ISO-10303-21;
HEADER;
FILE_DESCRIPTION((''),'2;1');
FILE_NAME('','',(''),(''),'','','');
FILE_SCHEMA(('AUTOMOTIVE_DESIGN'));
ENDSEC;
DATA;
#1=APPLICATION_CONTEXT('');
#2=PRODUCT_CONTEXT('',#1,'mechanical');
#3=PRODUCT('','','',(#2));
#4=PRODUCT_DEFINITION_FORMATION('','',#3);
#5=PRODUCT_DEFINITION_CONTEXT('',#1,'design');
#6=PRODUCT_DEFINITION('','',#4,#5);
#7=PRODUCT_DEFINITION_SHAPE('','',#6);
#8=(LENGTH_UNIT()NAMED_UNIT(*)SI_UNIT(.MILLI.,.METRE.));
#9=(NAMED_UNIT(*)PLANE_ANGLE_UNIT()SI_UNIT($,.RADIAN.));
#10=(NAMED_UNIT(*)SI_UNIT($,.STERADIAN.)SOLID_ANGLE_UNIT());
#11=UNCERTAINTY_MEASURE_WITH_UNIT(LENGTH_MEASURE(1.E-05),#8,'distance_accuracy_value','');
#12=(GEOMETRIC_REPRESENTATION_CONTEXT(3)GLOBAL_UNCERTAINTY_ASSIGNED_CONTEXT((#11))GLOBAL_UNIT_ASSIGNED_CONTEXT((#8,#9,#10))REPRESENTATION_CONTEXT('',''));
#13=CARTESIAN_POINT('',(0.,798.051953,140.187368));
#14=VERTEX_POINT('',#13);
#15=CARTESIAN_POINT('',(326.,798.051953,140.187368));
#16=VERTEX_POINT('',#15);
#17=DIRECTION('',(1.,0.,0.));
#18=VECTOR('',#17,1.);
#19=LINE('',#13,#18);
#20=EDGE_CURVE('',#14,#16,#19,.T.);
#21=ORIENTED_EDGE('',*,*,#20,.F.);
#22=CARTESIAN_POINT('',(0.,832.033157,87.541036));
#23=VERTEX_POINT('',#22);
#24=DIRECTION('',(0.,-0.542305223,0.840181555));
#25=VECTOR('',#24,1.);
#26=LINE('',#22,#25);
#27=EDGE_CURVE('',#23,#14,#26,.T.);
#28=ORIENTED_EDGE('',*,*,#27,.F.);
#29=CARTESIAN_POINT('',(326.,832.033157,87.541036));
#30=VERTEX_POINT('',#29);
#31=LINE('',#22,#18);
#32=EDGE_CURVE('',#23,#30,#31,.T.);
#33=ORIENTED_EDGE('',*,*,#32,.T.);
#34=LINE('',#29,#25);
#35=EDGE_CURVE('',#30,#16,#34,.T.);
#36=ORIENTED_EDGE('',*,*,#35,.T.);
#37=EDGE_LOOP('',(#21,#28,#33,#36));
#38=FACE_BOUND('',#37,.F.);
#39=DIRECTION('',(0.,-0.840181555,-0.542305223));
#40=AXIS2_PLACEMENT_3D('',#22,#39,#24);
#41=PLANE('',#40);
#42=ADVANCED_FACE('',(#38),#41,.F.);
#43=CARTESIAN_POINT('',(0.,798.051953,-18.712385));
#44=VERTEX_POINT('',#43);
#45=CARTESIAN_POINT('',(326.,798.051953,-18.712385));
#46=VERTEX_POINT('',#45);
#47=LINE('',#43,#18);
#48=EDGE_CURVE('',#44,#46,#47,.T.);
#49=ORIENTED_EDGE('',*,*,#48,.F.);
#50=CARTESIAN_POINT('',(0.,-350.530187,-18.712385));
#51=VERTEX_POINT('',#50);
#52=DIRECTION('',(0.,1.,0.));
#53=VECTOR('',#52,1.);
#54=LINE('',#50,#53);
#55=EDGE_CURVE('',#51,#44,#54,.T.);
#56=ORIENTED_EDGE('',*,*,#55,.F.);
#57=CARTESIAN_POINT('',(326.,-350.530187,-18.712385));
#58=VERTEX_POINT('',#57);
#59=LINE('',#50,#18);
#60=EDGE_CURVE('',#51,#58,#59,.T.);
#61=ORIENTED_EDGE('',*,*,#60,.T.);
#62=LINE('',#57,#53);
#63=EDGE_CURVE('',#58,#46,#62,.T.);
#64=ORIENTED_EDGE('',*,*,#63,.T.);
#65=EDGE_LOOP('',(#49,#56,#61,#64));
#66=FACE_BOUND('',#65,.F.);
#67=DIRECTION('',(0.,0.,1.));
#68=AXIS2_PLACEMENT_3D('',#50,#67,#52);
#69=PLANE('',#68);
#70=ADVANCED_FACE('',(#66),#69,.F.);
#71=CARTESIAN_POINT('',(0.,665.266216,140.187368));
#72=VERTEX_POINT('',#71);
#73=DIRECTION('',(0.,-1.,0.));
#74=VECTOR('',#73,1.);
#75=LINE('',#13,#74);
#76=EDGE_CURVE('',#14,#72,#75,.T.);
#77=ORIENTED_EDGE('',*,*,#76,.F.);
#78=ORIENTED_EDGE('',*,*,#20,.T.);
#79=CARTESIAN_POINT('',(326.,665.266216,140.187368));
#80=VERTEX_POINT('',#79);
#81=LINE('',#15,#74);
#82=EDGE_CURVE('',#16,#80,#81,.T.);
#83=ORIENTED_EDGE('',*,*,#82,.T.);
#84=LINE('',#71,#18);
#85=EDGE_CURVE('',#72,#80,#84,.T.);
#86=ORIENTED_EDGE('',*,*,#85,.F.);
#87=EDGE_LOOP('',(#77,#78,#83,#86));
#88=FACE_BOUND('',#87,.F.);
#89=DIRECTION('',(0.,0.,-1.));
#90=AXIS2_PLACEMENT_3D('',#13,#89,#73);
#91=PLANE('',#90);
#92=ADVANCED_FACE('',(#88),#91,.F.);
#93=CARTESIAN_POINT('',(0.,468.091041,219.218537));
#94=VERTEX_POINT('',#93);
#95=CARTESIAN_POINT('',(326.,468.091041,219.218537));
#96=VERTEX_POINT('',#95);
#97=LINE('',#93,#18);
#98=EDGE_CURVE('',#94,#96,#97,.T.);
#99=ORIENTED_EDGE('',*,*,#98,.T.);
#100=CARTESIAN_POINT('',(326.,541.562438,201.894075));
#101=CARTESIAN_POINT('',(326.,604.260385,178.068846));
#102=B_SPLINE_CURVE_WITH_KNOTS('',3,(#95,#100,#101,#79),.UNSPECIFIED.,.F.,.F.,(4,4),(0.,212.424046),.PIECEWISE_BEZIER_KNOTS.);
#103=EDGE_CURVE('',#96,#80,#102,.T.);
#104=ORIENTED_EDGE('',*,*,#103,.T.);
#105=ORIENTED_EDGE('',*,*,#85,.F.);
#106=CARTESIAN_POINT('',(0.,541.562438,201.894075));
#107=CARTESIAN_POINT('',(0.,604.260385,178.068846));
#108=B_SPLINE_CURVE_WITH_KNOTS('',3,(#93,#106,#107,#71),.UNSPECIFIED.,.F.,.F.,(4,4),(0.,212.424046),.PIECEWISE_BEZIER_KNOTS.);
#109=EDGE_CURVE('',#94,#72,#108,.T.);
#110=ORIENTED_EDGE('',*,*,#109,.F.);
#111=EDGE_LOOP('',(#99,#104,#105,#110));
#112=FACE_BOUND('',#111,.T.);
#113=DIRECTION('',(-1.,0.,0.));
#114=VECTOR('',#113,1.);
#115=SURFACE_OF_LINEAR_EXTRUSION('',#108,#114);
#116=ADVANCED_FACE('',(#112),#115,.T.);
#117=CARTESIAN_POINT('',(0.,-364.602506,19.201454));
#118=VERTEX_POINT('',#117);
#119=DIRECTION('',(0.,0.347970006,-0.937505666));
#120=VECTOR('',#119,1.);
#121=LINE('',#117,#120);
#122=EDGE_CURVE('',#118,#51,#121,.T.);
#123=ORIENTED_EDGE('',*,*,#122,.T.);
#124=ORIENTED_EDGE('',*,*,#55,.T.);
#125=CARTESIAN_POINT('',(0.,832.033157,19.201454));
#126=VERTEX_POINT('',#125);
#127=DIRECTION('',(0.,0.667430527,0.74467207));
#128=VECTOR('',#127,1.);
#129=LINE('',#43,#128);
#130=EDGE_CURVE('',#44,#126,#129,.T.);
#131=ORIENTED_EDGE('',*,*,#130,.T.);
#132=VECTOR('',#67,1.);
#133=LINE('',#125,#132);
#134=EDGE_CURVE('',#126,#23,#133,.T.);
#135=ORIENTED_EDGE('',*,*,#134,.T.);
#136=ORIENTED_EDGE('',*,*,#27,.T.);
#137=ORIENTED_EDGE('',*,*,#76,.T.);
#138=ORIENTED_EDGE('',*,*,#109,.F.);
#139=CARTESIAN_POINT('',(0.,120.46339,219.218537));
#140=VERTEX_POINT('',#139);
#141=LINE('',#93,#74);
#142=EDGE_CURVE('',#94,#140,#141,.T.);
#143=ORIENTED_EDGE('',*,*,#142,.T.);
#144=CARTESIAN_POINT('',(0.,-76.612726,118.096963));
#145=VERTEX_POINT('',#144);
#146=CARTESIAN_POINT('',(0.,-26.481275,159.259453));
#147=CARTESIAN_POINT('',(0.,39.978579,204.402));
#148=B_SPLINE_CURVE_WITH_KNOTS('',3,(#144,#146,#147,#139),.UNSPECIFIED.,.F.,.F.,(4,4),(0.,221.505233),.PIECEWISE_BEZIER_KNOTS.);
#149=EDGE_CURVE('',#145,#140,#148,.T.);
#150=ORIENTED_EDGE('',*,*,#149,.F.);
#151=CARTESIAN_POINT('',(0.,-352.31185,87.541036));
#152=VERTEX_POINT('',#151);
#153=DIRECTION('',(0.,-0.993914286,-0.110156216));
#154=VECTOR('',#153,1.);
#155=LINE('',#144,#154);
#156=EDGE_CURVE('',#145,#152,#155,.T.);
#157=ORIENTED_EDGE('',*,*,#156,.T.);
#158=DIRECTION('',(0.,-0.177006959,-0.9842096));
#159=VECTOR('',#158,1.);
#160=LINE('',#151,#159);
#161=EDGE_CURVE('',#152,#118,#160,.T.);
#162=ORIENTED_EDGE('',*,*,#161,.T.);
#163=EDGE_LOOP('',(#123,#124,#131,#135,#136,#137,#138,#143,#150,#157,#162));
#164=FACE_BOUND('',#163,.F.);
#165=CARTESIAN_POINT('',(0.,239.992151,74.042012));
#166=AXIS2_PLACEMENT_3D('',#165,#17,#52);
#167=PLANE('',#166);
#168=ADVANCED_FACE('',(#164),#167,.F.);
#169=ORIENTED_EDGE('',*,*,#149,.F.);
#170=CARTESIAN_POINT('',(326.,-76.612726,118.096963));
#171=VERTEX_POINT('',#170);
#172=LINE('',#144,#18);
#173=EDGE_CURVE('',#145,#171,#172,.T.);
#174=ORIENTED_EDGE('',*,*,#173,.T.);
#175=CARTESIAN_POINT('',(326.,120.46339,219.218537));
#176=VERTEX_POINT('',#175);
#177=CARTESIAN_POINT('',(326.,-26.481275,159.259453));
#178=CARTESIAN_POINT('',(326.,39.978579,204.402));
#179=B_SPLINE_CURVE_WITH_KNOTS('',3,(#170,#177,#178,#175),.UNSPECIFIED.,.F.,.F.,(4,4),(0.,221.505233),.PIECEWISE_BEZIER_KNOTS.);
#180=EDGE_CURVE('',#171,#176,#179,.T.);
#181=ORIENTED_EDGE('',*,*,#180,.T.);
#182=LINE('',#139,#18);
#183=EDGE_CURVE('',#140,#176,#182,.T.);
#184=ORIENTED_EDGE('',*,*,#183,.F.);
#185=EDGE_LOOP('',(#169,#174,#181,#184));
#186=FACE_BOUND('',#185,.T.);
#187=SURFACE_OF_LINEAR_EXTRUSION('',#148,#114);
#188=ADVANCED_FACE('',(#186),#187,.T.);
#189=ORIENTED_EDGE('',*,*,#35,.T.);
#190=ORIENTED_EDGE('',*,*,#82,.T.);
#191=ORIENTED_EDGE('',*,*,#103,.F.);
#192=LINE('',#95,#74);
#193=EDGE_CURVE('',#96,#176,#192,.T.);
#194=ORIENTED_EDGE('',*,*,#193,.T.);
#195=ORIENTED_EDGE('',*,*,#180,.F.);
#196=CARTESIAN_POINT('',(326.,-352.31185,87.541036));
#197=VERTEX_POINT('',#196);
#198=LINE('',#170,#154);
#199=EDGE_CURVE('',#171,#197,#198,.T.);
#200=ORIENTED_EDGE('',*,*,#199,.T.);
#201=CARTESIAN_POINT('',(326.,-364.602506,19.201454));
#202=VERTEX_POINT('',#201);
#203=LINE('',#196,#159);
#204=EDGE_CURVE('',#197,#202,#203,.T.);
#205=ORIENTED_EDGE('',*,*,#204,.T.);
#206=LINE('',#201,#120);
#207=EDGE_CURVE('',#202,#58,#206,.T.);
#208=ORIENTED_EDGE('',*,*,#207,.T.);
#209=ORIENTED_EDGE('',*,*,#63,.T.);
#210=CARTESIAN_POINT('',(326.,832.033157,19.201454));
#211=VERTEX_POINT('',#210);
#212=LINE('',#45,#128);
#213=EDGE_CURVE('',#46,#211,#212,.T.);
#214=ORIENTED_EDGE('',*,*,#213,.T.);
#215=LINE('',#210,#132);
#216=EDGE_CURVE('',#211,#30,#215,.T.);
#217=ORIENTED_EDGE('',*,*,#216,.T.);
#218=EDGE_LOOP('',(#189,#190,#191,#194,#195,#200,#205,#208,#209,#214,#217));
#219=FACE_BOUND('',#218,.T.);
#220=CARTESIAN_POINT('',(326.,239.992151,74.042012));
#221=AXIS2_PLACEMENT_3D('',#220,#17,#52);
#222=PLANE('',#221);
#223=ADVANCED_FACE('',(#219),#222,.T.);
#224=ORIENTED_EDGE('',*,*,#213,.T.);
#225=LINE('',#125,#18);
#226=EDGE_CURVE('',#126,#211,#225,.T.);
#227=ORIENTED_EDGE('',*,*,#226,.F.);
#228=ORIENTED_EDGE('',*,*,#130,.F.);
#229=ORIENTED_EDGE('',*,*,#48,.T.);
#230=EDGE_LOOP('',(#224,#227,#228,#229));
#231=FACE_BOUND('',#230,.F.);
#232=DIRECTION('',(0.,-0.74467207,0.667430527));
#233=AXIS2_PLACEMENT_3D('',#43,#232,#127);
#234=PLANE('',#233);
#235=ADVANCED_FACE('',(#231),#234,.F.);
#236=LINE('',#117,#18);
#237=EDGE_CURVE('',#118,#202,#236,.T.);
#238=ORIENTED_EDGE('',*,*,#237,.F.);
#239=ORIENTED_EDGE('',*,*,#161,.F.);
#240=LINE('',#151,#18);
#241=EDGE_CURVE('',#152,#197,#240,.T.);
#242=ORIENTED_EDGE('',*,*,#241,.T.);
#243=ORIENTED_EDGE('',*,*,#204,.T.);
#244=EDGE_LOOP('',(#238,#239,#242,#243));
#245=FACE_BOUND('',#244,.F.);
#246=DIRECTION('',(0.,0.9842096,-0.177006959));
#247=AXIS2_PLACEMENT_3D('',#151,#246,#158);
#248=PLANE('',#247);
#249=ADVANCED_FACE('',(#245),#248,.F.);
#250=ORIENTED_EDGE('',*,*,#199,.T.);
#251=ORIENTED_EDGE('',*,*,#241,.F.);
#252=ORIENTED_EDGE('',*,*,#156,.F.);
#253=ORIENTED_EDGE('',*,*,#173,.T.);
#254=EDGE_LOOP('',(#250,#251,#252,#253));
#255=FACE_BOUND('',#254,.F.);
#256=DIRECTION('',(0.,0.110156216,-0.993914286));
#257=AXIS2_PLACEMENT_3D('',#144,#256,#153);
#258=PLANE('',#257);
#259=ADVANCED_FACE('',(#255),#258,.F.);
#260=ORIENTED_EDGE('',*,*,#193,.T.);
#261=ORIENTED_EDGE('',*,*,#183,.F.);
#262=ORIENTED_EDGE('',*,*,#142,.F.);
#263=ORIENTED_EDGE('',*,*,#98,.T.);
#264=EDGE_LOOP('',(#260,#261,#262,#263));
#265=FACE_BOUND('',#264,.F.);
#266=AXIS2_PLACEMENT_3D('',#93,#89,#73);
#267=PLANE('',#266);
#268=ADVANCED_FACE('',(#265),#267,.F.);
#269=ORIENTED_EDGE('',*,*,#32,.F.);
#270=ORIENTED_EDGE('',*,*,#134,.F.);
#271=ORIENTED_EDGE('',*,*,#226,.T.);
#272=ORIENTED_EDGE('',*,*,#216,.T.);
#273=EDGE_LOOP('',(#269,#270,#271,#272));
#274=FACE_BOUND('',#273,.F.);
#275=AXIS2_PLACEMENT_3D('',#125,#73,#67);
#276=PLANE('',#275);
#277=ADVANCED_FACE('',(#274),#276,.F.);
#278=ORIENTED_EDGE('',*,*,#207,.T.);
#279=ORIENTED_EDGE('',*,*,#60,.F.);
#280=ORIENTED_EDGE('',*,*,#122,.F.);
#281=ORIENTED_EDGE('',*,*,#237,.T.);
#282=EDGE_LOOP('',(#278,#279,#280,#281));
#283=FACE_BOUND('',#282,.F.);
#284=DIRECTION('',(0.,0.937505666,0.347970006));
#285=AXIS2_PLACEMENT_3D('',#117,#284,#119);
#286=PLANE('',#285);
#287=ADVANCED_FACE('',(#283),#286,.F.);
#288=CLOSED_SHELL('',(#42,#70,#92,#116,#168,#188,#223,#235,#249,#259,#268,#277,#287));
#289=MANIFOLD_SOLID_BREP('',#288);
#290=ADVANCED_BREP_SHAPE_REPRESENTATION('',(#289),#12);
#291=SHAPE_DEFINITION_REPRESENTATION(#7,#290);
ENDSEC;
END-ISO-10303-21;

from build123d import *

# Parameters (mm, degrees)
F1_DEPTH = 326


with BuildPart() as f1:
    # F0 (on Right) → F1 (new body)
    with BuildSketch(Plane.YZ):
        with BuildLine():
            Line((-76.612726, 118.096963), (-352.31185, 87.541036))
            Line((-352.31185, 87.541036), (-364.602506, 19.201454))
            Line((-364.602506, 19.201454), (-350.530187, -18.712385))
            Line((-350.530187, -18.712385), (798.051953, -18.712385))
            Line((798.051953, -18.712385), (832.033157, 19.201454))
            Line((832.033157, 19.201454), (832.033157, 87.541036))
            Line((832.033157, 87.541036), (798.051953, 140.187368))
            Line((798.051953, 140.187368), (665.266216, 140.187368))
            add(Edge.make_bspline(
                [(468.091041, 219.218537), (541.562438, 201.894075), (604.260385, 178.068846), (665.266216, 140.187368)],
                knots=[0, 0, 0, 0, 212.424046, 212.424046, 212.424046, 212.424046], degree=3))
            Line((468.091041, 219.218537), (120.46339, 219.218537))
            add(Edge.make_bspline(
                [(-76.612726, 118.096963), (-26.481275, 159.259453), (39.978579, 204.402), (120.46339, 219.218537)],
                knots=[0, 0, 0, 0, 221.505233, 221.505233, 221.505233, 221.505233], degree=3))
        make_face()
    extrude(amount=F1_DEPTH)


solid = f1.part
